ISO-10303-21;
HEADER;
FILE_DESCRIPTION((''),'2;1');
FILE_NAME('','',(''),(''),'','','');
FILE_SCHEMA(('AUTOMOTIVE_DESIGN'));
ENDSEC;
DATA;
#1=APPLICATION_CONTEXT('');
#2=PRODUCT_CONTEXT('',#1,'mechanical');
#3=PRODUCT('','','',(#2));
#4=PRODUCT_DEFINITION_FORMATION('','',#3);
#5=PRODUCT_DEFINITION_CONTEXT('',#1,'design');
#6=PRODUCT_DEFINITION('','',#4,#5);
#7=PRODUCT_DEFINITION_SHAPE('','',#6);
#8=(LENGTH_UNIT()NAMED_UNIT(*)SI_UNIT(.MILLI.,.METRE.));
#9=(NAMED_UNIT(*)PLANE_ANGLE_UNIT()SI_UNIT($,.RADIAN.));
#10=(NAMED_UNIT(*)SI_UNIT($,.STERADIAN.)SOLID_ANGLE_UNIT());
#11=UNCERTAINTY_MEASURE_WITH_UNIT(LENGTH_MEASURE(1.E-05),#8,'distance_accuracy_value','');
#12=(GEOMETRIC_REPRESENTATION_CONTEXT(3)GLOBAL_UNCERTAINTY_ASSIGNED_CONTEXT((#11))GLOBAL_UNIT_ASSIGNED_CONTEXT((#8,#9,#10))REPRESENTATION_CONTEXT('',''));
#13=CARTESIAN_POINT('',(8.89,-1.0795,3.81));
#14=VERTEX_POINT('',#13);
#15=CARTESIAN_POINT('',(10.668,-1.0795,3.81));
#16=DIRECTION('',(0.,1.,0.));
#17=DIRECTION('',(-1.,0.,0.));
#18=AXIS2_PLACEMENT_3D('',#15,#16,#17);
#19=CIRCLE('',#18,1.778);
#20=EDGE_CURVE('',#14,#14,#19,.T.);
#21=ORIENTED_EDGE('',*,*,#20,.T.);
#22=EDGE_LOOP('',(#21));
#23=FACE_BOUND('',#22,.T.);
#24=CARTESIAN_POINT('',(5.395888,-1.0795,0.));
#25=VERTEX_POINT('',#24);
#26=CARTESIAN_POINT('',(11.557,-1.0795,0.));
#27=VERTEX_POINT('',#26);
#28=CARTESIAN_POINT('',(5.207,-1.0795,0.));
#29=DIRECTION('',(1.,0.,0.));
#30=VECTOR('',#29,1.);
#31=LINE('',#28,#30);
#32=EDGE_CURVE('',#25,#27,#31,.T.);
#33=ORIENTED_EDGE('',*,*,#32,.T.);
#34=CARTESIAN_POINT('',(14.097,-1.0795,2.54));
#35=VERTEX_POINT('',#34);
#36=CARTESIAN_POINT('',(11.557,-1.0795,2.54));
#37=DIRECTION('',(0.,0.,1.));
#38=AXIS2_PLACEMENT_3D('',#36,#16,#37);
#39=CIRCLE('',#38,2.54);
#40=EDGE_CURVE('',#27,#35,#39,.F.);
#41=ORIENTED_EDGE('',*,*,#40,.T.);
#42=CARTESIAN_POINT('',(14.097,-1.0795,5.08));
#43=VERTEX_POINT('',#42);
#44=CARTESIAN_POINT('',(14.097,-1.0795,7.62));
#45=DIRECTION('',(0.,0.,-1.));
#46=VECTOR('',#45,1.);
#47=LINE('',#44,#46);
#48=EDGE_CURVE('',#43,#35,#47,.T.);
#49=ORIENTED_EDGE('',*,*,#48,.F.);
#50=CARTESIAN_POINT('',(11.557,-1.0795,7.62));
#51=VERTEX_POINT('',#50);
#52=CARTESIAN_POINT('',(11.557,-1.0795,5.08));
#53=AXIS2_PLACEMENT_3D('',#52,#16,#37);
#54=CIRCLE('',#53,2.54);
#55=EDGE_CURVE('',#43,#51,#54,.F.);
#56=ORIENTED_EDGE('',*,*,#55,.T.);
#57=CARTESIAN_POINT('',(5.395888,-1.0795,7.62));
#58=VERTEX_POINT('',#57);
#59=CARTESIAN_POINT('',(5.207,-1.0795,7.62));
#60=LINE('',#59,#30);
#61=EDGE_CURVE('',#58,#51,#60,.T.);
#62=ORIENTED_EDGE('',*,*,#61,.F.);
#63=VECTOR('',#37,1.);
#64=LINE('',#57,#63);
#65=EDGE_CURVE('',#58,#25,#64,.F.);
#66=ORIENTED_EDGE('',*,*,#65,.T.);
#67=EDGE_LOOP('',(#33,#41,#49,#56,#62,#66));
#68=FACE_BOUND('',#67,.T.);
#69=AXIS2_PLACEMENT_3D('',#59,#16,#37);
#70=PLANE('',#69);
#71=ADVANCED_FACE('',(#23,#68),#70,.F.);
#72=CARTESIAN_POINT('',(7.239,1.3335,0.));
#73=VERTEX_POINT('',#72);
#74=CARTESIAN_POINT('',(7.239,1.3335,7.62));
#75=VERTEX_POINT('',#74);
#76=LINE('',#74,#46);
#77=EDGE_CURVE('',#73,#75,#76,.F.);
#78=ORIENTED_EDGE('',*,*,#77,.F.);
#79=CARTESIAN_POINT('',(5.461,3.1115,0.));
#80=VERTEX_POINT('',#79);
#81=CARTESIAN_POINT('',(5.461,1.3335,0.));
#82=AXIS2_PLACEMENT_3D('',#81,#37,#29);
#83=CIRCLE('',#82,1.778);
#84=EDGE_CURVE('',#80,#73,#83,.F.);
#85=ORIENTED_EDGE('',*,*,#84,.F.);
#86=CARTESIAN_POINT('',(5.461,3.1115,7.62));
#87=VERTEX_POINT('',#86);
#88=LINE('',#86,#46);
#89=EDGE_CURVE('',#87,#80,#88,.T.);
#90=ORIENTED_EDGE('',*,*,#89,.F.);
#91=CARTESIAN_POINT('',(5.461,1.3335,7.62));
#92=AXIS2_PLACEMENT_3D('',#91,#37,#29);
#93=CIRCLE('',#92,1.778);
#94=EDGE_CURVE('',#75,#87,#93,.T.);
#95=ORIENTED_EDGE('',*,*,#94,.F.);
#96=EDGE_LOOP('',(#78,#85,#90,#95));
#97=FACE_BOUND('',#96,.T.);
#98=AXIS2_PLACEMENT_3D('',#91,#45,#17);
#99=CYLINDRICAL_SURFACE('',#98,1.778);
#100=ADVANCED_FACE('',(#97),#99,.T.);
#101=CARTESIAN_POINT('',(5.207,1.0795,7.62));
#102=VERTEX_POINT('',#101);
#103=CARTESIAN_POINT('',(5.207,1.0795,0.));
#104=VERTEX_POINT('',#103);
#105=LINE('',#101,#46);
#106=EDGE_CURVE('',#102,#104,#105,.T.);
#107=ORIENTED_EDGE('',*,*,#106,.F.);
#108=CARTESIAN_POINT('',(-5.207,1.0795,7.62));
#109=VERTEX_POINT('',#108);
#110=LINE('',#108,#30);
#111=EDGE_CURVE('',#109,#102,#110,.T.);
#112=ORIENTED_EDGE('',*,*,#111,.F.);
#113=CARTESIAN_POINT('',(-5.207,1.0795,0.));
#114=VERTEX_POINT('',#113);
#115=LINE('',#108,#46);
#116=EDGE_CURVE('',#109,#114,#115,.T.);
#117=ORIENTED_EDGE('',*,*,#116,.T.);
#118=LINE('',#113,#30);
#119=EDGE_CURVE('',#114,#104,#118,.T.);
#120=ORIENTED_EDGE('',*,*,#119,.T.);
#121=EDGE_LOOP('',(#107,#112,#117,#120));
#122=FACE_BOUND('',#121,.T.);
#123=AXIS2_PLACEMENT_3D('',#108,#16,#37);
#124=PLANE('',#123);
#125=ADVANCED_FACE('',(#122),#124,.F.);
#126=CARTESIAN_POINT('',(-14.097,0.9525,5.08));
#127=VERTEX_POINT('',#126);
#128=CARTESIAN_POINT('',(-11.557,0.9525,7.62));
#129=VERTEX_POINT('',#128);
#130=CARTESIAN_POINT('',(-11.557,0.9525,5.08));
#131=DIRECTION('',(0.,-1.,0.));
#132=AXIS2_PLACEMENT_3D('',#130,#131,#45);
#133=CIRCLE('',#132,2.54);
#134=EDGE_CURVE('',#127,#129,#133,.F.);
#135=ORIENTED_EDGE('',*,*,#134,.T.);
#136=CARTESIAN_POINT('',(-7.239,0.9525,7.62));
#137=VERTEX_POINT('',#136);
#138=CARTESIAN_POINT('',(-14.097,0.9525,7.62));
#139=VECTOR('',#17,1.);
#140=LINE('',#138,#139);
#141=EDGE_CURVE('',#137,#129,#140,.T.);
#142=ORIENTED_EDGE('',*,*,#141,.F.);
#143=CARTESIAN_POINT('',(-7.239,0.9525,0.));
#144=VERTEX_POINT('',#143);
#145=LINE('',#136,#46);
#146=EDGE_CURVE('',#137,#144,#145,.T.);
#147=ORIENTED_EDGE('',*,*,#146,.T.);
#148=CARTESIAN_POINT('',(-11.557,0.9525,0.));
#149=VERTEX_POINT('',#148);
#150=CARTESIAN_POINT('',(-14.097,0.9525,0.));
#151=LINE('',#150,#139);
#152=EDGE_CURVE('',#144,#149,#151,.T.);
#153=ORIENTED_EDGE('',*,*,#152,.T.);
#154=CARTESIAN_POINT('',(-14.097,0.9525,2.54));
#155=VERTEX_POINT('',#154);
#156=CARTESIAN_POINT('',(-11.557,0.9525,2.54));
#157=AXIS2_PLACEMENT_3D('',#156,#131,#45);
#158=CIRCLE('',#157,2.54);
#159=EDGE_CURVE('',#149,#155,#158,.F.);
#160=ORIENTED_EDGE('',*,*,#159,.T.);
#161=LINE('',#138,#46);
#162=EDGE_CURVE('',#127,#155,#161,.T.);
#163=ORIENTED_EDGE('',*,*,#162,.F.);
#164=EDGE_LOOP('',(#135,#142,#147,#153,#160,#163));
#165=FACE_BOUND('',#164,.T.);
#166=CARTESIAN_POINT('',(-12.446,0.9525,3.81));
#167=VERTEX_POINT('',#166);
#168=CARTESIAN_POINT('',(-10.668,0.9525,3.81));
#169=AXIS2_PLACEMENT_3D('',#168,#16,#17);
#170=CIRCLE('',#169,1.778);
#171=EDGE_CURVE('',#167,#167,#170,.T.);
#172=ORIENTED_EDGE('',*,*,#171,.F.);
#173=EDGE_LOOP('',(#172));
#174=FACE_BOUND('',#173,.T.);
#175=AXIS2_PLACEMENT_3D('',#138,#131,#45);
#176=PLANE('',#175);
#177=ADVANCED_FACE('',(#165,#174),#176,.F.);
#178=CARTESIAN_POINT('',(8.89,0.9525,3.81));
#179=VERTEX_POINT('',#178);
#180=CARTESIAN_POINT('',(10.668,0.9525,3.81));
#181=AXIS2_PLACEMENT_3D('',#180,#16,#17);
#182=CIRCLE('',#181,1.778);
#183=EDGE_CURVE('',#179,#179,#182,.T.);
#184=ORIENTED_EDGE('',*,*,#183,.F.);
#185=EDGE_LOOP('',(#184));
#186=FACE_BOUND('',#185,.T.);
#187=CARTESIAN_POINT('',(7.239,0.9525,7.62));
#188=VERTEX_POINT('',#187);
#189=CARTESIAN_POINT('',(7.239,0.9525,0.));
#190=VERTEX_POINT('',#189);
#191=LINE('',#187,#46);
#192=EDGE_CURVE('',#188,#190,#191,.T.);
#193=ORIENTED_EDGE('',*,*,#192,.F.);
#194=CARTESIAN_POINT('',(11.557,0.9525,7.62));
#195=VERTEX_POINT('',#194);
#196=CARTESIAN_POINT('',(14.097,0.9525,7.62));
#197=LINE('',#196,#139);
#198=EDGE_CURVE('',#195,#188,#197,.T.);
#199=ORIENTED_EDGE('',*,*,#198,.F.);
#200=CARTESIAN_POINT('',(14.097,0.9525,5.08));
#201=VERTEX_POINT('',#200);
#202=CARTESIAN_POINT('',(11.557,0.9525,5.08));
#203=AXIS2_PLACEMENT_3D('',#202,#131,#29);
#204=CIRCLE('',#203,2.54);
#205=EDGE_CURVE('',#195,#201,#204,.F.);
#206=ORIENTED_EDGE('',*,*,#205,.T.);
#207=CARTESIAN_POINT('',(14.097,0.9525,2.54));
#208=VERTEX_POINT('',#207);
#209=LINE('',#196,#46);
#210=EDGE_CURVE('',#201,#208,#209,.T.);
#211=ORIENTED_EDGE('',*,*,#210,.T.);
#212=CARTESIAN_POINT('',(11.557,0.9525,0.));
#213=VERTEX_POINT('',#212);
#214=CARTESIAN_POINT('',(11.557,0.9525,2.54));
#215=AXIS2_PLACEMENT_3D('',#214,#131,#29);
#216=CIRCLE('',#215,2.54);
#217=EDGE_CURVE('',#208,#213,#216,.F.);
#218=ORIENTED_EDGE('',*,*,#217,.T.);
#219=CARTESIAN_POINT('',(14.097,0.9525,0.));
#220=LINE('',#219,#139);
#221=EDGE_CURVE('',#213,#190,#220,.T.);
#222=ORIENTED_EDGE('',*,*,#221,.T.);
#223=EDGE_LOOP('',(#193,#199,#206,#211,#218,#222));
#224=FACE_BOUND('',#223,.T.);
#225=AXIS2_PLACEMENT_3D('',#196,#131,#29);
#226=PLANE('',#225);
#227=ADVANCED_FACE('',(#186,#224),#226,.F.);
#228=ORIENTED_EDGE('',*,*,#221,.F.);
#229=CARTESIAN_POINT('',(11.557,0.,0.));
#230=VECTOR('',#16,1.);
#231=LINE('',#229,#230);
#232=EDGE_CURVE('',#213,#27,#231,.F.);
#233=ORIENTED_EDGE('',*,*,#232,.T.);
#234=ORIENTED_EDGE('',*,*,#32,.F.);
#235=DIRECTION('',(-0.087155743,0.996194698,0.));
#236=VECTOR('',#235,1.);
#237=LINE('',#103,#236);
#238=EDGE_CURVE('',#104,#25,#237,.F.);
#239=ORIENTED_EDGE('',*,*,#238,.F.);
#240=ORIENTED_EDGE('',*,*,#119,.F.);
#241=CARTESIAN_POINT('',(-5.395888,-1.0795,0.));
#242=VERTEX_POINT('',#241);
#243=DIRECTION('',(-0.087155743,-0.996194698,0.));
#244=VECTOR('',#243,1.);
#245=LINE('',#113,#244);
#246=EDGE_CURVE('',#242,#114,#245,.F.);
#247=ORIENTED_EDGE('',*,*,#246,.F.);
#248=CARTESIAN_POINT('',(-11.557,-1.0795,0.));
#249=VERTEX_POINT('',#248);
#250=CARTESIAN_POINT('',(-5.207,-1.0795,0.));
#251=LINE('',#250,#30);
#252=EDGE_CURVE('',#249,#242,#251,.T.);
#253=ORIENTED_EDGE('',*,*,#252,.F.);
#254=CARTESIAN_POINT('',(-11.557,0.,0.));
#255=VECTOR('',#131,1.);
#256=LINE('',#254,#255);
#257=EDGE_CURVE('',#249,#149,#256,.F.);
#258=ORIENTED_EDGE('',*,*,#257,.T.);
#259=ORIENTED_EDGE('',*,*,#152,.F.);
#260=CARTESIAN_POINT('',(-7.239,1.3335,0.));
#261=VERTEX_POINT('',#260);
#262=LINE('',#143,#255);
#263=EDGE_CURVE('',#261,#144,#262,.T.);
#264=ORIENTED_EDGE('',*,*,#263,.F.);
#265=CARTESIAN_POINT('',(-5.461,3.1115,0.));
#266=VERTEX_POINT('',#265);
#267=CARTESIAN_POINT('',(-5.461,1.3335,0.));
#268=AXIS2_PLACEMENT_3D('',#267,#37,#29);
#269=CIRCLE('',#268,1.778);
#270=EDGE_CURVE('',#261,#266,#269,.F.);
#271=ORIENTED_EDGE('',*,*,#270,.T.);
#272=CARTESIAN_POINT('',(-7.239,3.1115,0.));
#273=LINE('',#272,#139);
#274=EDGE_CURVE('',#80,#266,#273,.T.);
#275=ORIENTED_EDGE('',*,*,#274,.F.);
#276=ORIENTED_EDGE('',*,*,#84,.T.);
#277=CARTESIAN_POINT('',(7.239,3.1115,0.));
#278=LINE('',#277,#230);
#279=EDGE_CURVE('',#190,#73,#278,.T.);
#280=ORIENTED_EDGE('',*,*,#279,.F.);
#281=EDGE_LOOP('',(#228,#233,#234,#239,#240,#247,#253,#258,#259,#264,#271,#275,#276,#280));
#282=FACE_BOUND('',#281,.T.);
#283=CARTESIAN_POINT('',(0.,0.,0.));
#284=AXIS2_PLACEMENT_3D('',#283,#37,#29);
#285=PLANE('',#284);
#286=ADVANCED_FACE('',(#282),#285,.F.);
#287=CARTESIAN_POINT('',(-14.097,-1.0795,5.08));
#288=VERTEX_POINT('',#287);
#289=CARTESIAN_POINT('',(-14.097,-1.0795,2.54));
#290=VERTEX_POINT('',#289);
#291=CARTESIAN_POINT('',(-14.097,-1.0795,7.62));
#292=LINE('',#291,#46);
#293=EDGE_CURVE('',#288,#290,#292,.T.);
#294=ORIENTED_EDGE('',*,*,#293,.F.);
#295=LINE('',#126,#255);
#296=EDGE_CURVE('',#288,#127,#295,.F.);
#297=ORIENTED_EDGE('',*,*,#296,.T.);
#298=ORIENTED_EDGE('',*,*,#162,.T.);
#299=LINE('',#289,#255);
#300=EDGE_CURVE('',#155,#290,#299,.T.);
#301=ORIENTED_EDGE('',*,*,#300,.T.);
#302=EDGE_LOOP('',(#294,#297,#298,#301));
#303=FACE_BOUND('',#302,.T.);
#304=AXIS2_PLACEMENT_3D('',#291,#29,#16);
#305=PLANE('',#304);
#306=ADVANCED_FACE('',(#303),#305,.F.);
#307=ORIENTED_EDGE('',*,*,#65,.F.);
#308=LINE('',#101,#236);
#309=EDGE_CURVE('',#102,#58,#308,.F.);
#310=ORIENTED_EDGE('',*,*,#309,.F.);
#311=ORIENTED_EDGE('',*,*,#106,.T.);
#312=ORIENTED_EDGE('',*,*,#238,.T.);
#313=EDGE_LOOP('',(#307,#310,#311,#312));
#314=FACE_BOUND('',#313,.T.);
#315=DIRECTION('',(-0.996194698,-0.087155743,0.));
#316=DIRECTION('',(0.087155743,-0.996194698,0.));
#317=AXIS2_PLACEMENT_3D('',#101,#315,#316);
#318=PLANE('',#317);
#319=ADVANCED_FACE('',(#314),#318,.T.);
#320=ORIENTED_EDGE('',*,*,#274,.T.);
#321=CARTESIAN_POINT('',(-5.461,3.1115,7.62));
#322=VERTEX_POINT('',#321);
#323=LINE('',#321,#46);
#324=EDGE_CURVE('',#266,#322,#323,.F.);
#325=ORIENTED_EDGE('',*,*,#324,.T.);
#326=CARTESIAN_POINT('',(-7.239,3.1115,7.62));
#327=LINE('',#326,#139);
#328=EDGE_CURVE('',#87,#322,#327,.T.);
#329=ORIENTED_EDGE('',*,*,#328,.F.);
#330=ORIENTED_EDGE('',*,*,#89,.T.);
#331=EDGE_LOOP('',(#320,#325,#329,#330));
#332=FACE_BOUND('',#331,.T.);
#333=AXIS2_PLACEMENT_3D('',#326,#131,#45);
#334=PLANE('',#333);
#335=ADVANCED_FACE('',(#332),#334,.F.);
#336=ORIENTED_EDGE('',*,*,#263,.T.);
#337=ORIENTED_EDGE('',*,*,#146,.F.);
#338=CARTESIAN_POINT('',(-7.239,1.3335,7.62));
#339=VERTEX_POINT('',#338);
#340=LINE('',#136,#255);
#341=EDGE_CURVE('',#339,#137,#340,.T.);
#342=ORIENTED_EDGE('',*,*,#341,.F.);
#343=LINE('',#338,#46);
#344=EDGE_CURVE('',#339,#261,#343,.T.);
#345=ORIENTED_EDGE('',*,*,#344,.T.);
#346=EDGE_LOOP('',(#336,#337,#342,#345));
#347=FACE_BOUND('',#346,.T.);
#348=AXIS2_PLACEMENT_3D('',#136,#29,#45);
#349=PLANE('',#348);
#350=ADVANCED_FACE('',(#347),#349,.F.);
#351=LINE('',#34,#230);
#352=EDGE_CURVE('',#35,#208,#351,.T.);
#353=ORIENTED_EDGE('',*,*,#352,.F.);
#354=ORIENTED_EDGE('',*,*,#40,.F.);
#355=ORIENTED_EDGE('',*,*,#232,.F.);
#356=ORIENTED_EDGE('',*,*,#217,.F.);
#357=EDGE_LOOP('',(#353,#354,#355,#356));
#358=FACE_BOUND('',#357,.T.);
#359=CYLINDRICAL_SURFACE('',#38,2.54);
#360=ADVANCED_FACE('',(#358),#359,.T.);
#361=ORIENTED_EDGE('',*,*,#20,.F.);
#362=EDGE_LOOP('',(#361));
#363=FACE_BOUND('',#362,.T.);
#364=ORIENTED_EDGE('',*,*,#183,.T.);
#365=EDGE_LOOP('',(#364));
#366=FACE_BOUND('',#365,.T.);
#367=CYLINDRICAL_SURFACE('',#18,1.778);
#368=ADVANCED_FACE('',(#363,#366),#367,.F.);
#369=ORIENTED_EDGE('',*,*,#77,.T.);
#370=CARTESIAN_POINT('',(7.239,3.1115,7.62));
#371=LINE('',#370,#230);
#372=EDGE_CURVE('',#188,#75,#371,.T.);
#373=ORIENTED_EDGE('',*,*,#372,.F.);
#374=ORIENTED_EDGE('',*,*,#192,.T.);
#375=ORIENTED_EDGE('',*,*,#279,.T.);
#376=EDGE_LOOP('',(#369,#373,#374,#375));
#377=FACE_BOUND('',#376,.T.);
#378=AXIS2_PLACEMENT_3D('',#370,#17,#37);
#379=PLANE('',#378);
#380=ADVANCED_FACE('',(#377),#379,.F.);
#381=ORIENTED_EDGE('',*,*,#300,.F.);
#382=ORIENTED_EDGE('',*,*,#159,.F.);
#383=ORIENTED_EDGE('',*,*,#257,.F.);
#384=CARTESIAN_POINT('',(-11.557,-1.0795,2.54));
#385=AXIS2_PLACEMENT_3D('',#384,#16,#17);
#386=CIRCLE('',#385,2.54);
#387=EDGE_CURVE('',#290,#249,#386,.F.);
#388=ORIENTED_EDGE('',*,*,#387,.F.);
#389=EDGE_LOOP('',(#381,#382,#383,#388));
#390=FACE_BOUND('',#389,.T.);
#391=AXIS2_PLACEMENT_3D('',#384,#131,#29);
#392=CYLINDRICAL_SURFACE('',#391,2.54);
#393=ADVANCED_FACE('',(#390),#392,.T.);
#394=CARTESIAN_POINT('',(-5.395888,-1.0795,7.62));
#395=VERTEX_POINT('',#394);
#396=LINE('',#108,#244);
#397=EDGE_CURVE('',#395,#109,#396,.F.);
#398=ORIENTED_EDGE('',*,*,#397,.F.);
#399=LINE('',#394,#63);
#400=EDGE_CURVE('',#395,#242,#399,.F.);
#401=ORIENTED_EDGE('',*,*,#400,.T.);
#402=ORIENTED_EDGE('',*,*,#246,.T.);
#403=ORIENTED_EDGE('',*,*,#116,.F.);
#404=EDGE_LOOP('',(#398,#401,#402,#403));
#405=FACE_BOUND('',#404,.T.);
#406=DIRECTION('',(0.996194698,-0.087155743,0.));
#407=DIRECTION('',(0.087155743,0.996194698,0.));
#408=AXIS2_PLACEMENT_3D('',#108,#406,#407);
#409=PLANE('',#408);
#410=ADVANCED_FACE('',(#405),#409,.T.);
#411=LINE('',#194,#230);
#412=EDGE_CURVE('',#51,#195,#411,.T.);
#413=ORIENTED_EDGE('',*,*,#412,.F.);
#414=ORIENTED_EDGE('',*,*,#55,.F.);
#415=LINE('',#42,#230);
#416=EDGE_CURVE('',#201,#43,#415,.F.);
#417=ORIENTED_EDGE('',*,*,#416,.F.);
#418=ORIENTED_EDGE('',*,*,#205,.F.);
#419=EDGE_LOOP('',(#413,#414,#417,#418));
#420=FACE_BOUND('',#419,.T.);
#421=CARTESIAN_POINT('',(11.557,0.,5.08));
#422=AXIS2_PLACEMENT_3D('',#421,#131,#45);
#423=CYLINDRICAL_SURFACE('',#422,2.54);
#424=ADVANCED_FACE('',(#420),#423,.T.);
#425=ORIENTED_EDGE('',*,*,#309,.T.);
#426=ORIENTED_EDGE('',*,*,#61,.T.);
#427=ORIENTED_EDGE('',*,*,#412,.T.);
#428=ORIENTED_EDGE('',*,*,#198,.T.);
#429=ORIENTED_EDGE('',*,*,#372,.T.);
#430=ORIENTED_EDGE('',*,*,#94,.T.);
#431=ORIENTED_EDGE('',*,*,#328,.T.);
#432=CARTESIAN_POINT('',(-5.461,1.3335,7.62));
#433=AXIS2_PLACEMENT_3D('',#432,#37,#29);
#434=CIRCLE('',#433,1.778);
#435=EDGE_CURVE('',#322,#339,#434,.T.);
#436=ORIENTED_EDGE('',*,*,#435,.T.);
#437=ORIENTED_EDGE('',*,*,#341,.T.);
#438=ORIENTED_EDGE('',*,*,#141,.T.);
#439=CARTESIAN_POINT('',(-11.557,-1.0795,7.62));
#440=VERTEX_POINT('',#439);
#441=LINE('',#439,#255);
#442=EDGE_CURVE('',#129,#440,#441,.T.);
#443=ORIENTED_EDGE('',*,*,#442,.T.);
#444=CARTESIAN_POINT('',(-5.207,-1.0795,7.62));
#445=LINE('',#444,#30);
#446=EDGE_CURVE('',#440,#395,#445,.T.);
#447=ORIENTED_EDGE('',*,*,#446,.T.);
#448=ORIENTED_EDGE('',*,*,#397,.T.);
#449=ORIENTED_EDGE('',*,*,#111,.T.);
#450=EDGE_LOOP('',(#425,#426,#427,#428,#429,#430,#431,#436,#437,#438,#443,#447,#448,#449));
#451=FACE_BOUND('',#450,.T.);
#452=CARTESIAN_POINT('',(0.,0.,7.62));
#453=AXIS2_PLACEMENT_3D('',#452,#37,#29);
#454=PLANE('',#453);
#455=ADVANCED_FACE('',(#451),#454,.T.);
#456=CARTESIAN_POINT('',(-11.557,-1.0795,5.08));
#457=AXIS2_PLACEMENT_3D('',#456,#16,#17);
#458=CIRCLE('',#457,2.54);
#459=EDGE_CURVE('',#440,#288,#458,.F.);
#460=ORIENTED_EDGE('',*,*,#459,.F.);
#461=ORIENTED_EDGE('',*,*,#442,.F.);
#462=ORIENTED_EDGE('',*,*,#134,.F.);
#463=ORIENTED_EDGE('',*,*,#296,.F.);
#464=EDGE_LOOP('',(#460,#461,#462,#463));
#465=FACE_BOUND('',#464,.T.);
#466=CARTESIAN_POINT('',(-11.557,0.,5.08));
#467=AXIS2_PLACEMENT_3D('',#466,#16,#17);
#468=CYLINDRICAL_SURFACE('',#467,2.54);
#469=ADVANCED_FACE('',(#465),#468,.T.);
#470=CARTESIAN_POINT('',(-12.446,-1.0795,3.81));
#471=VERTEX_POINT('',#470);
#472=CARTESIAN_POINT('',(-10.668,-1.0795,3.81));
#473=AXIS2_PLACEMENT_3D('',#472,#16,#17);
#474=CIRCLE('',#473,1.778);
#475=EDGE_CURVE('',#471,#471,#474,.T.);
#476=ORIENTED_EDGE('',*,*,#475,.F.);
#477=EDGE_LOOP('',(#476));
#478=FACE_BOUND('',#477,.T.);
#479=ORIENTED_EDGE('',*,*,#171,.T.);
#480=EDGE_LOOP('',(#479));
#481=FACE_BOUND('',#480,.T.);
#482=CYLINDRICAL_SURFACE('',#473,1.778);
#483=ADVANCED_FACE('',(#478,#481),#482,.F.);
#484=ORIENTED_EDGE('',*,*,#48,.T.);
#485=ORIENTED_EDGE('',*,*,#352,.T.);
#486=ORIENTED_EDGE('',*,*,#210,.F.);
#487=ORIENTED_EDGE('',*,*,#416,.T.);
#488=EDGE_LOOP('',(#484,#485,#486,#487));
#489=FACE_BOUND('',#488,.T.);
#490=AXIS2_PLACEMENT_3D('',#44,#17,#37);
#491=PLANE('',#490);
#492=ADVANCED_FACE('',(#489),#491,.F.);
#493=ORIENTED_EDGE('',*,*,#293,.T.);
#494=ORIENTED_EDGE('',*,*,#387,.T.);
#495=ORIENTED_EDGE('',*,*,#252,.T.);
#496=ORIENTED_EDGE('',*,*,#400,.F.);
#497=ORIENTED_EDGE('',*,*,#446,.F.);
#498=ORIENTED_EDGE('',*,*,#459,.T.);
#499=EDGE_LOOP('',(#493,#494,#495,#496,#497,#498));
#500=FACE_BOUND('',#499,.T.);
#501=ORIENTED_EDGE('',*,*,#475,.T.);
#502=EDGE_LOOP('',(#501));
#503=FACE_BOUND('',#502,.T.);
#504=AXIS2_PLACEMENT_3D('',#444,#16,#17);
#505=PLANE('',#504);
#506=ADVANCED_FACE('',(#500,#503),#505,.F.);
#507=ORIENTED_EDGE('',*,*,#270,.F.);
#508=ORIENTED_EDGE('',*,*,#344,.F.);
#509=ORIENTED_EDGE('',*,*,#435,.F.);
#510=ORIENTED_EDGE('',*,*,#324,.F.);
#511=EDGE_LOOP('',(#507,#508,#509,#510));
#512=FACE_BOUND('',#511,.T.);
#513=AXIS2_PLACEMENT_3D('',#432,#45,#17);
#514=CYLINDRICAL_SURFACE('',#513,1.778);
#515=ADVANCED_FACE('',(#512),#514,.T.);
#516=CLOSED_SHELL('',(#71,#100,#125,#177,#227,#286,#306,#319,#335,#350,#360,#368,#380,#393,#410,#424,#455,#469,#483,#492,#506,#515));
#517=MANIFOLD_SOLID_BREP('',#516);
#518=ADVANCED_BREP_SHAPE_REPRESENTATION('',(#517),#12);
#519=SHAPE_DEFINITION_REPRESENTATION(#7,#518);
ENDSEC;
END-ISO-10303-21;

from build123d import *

# Parameters (mm, degrees)
BOSS_EXTRUDE1_DEPTH = 7.62
SKETCH2_R           = 1.778
CUT_EXTRUDE1_DEPTH  = 17.169449279
FILLET1_R           = 2.54
FILLET2_R           = 1.778
DRAFT1_ANGLE        = 5


with BuildPart() as part:
    # Sketch1 → Boss-Extrude1 (new body)
    with BuildSketch(Plane.XY):
        Polygon((-7.239, 0.9525), (-7.239, 3.1115), (7.239, 3.1115), (7.239, 0.9525), (14.097, 0.9525), (14.097, -1.0795), (5.207, -1.0795), (5.207, 1.0795), (-5.207, 1.0795), (-5.207, -1.0795), (-14.097, -1.0795), (-14.097, 0.9525), align=None)
    extrude(amount=BOSS_EXTRUDE1_DEPTH)

    # Sketch2 → Cut-Extrude1 (cut, through all)
    with BuildSketch(Plane(origin=(0, 0.9525, 0), x_dir=(1, 0, 0), z_dir=(0, 1, 0))):
        with Locations(Location((-10.668, -3.81, 0), (0, 0, 180))):
            Circle(SKETCH2_R)
        with Locations(Location((10.668, -3.81, 0), (0, 0, 180))):
            Circle(SKETCH2_R)
    extrude(amount=-CUT_EXTRUDE1_DEPTH, mode=Mode.SUBTRACT)

    # Fillet1
    fillet1_edges = [part.edges().sort_by_distance(p)[0] for p in [
        (-14.097, -0.0635, 0),
        (14.097, -0.0635, 0),
        (-14.097, -0.0635, 7.62),
        (14.097, -0.0635, 7.62),
    ]]
    fillet(fillet1_edges, radius=FILLET1_R)

    # Fillet2
    fillet2_edges = [part.edges().sort_by_distance(p)[0] for p in [
        (-7.239, 3.1115, 3.81),
        (7.239, 3.1115, 3.81),
    ]]
    fillet(fillet2_edges, radius=FILLET2_R)

    # Draft1
    draft1_faces = [part.faces().sort_by_distance(p)[0] for p in [
        (5.207, 0, 3.81),
        (-5.207, 0, 3.81),
    ]]
    draft(draft1_faces, Plane(origin=(-5.207, 1.0795, 7.62), x_dir=(0, 0, -1), z_dir=(0, -1, 0)), DRAFT1_ANGLE)


solid = part.part
